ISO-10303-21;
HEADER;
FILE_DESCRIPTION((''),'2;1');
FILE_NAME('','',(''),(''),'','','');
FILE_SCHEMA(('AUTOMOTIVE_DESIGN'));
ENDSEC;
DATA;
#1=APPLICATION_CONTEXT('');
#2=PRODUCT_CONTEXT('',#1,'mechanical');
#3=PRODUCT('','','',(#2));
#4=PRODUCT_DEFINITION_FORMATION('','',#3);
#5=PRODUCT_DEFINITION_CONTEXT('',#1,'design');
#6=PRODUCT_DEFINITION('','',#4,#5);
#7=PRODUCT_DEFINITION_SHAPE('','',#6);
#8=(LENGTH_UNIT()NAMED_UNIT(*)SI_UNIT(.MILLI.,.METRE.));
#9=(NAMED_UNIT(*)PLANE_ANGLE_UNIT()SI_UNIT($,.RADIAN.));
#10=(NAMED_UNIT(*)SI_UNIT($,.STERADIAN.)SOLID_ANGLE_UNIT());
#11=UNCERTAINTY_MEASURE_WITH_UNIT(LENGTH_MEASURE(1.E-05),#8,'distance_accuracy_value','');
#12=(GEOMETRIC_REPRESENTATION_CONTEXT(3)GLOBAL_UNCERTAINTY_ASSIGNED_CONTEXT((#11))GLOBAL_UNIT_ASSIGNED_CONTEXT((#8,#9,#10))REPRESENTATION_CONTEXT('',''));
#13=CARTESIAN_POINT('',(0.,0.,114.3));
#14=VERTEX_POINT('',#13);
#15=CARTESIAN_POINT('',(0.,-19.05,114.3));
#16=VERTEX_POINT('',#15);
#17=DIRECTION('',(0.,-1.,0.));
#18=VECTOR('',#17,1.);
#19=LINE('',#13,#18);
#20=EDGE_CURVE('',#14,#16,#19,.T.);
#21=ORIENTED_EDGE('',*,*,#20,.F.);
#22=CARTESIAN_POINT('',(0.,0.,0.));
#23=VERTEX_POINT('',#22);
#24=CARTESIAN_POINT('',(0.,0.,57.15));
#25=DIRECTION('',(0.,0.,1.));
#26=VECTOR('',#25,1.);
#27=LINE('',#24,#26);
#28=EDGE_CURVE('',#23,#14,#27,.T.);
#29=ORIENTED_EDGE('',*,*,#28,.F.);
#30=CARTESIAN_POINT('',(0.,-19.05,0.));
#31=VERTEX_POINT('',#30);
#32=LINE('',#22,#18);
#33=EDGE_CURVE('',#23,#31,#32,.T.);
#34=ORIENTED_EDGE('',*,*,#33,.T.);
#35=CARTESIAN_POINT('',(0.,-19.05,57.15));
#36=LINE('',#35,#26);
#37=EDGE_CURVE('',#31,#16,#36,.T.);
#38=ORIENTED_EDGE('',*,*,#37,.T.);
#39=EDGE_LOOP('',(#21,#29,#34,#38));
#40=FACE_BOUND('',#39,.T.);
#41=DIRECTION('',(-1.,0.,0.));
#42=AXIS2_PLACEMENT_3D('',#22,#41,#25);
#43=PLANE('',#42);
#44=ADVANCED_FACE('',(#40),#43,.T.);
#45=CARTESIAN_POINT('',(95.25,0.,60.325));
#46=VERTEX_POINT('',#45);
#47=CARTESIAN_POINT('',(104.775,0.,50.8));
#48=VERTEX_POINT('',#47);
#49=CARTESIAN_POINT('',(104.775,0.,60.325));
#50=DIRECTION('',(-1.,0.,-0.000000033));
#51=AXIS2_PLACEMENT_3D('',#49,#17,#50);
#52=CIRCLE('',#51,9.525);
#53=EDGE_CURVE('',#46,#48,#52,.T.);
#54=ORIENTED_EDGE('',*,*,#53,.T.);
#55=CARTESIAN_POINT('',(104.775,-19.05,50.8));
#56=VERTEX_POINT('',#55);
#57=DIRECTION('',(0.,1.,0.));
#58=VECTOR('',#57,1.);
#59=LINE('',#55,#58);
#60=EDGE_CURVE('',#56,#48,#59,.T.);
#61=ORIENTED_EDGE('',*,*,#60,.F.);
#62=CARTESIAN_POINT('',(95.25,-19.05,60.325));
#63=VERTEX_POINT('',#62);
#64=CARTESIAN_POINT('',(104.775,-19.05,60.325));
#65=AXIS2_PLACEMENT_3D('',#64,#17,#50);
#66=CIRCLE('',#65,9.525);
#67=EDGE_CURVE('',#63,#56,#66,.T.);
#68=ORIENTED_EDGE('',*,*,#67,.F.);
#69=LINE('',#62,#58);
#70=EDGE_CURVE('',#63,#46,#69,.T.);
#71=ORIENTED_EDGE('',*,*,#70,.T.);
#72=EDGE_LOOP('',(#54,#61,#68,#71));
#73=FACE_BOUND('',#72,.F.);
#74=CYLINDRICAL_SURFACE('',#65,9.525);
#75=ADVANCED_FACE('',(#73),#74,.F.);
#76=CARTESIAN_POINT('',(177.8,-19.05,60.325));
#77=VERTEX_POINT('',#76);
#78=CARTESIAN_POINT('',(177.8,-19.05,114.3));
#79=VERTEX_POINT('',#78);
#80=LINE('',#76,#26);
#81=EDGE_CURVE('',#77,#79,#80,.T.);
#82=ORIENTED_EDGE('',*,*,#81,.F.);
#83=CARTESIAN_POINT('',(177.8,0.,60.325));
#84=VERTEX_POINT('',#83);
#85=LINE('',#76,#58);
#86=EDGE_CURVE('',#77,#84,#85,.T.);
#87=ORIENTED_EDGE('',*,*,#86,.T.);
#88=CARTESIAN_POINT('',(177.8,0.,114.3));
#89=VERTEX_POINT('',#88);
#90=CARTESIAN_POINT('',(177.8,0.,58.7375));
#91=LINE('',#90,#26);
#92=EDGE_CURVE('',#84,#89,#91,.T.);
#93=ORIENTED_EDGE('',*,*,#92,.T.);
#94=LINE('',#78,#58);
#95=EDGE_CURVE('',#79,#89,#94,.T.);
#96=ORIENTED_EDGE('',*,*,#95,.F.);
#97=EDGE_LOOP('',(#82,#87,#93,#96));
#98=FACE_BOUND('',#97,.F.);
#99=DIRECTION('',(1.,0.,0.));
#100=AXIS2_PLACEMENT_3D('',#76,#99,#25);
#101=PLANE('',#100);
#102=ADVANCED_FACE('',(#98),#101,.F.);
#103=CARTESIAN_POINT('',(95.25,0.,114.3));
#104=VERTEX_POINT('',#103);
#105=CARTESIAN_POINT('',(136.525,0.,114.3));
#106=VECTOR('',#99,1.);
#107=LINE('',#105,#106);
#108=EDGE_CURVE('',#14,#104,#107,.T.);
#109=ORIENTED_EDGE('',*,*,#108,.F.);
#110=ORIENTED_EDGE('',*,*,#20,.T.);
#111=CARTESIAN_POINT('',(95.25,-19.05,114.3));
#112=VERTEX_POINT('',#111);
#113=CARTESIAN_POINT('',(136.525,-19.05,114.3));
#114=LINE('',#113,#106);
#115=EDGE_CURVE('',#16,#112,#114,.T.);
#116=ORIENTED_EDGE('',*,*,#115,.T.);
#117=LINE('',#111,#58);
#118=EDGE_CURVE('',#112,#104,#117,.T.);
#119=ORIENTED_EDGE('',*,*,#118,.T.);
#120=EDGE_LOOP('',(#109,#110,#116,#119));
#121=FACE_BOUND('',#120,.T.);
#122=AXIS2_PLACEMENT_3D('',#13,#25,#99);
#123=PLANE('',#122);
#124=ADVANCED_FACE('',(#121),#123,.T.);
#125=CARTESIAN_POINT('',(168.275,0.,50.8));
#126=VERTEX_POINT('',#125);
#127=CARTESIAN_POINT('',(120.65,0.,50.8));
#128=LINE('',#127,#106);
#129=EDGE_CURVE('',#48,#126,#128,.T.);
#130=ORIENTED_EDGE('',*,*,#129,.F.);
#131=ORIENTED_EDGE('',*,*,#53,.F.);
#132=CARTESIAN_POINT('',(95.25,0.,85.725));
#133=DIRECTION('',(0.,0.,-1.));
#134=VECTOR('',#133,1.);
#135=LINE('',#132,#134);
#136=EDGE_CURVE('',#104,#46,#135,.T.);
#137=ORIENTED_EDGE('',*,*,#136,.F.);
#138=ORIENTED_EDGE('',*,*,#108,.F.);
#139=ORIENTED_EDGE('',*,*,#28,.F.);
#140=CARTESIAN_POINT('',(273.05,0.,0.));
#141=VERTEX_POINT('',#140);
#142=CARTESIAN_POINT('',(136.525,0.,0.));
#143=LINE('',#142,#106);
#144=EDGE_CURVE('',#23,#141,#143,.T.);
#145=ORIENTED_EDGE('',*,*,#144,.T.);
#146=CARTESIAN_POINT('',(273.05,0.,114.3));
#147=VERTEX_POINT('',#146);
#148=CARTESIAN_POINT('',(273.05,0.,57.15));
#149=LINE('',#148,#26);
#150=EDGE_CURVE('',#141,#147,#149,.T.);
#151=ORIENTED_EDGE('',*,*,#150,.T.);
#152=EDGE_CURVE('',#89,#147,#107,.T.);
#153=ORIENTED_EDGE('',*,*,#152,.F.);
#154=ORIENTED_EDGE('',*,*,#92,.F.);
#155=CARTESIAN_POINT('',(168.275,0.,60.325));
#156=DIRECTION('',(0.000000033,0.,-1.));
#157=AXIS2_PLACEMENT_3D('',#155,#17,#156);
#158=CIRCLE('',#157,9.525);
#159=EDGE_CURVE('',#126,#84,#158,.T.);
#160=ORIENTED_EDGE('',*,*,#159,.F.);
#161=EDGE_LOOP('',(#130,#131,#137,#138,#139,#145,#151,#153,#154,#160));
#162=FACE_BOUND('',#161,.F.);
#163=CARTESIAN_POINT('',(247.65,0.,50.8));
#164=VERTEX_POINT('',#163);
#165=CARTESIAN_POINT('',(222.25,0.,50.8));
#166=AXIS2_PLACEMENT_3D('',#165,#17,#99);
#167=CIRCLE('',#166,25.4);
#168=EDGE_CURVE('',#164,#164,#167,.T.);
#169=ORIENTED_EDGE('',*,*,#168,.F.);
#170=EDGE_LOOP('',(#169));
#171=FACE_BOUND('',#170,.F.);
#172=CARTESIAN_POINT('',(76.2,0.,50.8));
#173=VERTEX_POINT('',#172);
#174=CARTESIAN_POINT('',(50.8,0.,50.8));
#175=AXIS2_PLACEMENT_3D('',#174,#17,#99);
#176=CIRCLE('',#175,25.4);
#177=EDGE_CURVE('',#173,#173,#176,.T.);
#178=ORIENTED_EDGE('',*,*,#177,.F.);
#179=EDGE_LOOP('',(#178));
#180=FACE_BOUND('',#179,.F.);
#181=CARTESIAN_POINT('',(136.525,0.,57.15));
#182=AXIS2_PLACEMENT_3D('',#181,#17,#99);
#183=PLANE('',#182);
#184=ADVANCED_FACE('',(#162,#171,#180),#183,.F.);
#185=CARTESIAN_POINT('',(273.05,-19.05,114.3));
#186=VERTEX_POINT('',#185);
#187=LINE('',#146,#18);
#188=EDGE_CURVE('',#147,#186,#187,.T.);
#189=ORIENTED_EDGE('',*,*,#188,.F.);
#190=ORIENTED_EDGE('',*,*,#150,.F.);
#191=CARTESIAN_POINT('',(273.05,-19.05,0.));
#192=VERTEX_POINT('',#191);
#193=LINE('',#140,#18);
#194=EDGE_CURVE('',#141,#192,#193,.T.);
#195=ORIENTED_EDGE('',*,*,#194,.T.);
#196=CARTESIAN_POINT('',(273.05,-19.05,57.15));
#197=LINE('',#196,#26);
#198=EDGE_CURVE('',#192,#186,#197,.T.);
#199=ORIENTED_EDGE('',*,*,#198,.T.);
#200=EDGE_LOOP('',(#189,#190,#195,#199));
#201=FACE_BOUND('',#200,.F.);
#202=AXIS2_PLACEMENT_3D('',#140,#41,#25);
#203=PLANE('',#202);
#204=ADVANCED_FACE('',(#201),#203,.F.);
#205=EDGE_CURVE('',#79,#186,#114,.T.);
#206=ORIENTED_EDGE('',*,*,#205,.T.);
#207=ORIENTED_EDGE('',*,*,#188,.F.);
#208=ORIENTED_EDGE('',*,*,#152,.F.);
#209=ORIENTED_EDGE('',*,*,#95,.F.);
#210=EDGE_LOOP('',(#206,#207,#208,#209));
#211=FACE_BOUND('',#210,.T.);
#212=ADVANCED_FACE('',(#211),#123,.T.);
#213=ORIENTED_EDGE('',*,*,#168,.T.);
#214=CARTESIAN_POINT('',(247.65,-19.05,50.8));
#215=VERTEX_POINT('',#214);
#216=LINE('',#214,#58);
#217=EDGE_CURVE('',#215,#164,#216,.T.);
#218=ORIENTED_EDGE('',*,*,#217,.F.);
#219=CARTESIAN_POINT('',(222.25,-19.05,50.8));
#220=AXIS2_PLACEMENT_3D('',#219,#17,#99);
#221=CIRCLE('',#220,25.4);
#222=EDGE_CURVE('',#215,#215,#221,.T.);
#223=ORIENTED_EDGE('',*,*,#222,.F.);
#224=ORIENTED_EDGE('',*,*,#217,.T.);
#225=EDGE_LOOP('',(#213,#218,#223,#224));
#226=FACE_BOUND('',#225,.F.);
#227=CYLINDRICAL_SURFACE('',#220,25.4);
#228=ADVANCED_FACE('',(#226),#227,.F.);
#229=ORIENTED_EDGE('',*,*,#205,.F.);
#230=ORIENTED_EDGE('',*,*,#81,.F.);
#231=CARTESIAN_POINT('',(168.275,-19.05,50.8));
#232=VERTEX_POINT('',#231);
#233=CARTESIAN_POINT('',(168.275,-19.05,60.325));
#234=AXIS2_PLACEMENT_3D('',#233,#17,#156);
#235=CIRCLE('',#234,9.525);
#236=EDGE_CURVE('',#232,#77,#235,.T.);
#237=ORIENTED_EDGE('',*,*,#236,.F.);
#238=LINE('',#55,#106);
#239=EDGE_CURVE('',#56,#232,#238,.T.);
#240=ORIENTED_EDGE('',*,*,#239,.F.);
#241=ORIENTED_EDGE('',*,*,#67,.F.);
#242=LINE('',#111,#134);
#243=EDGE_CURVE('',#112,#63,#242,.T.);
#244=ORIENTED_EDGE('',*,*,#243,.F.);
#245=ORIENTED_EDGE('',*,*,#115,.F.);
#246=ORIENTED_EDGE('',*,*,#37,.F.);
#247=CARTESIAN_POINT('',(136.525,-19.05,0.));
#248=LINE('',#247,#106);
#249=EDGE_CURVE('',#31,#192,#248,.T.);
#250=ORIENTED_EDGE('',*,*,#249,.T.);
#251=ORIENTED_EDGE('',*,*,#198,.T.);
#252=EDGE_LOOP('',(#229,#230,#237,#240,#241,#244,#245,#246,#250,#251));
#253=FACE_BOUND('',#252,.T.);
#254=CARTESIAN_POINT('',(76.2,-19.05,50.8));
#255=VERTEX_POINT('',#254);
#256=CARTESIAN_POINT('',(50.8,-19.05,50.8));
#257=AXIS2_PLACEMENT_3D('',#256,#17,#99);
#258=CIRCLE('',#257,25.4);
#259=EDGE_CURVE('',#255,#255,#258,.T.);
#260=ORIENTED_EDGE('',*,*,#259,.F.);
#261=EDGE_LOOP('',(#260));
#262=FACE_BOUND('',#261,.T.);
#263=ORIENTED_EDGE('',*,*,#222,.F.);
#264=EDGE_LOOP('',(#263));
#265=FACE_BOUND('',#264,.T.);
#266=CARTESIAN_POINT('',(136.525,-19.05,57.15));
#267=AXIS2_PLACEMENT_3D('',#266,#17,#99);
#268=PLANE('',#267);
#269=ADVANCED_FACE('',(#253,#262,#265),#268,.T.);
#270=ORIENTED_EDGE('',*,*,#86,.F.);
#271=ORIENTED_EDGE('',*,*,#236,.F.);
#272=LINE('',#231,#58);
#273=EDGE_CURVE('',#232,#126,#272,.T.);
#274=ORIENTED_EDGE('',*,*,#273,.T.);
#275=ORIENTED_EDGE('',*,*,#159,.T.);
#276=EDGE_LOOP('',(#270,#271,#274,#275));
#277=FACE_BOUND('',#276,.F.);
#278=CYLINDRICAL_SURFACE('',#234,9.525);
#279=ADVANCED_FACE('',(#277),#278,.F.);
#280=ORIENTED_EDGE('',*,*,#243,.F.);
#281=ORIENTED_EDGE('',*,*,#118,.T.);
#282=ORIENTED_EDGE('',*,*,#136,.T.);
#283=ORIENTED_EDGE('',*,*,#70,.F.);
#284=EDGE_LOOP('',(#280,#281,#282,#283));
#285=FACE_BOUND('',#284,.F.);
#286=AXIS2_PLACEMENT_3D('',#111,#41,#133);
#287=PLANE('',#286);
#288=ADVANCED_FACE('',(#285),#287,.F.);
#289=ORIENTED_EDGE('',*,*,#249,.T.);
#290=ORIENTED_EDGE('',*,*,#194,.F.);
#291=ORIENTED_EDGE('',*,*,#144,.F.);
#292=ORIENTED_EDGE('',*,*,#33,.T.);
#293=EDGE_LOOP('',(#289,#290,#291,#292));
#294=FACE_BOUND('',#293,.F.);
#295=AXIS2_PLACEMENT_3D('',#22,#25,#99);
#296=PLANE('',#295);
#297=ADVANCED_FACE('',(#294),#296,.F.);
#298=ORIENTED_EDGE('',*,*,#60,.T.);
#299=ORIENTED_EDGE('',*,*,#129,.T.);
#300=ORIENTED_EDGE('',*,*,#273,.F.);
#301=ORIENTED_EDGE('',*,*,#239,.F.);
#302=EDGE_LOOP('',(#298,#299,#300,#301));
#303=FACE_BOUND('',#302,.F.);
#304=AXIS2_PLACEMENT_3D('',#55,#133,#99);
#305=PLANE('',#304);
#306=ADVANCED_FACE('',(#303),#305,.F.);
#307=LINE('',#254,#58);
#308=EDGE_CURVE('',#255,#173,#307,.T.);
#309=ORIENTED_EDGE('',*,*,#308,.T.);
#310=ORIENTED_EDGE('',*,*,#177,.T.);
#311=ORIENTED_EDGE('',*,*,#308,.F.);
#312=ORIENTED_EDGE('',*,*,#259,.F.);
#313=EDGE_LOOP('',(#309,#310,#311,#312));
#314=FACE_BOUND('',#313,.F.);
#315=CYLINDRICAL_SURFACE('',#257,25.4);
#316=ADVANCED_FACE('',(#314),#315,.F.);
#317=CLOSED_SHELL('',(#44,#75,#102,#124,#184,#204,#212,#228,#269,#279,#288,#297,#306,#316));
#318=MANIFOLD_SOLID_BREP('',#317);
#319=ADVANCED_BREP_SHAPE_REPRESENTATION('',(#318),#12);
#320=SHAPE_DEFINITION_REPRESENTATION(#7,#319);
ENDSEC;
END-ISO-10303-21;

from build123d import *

# Parameters (mm, degrees)
F0_W     = 273.05
F0_H     = 114.3
F1_DEPTH = 19.05
F2_R     = 25.4
F3_DEPTH = 25.4
F5_DEPTH = 25.4


with BuildPart() as f1:
    # F0 (on Front) → F1 (new body)
    with BuildSketch(Plane.XZ):
        with Locations((136.525, 57.15)):
            Rectangle(F0_W, F0_H)
    extrude(amount=F1_DEPTH)

    # F2 (on face) → F3 (cut)
    with BuildSketch(Plane.XZ.offset(19.05)):
        with Locations((50.8, 50.8)):
            Circle(F2_R)
        with Locations((222.25, 50.8)):
            Circle(F2_R)
    extrude(amount=-F3_DEPTH, mode=Mode.SUBTRACT)

    # F4 (on face) → F5 (cut)
    with BuildSketch(Plane.XZ.offset(19.05)):
        with BuildLine():
            Line((177.8, 114.3), (95.25, 114.3))
            Line((95.25, 114.3), (95.25, 60.325))
            ThreePointArc((95.25, 60.325), (98.039808, 53.589808), (104.775, 50.8))
            Line((104.775, 50.8), (168.275, 50.8))
            ThreePointArc((168.275, 50.8), (175.010192, 53.589808), (177.8, 60.325))
            Line((177.8, 60.325), (177.8, 114.3))
        make_face()
    extrude(amount=-F5_DEPTH, mode=Mode.SUBTRACT)


solid = f1.part
